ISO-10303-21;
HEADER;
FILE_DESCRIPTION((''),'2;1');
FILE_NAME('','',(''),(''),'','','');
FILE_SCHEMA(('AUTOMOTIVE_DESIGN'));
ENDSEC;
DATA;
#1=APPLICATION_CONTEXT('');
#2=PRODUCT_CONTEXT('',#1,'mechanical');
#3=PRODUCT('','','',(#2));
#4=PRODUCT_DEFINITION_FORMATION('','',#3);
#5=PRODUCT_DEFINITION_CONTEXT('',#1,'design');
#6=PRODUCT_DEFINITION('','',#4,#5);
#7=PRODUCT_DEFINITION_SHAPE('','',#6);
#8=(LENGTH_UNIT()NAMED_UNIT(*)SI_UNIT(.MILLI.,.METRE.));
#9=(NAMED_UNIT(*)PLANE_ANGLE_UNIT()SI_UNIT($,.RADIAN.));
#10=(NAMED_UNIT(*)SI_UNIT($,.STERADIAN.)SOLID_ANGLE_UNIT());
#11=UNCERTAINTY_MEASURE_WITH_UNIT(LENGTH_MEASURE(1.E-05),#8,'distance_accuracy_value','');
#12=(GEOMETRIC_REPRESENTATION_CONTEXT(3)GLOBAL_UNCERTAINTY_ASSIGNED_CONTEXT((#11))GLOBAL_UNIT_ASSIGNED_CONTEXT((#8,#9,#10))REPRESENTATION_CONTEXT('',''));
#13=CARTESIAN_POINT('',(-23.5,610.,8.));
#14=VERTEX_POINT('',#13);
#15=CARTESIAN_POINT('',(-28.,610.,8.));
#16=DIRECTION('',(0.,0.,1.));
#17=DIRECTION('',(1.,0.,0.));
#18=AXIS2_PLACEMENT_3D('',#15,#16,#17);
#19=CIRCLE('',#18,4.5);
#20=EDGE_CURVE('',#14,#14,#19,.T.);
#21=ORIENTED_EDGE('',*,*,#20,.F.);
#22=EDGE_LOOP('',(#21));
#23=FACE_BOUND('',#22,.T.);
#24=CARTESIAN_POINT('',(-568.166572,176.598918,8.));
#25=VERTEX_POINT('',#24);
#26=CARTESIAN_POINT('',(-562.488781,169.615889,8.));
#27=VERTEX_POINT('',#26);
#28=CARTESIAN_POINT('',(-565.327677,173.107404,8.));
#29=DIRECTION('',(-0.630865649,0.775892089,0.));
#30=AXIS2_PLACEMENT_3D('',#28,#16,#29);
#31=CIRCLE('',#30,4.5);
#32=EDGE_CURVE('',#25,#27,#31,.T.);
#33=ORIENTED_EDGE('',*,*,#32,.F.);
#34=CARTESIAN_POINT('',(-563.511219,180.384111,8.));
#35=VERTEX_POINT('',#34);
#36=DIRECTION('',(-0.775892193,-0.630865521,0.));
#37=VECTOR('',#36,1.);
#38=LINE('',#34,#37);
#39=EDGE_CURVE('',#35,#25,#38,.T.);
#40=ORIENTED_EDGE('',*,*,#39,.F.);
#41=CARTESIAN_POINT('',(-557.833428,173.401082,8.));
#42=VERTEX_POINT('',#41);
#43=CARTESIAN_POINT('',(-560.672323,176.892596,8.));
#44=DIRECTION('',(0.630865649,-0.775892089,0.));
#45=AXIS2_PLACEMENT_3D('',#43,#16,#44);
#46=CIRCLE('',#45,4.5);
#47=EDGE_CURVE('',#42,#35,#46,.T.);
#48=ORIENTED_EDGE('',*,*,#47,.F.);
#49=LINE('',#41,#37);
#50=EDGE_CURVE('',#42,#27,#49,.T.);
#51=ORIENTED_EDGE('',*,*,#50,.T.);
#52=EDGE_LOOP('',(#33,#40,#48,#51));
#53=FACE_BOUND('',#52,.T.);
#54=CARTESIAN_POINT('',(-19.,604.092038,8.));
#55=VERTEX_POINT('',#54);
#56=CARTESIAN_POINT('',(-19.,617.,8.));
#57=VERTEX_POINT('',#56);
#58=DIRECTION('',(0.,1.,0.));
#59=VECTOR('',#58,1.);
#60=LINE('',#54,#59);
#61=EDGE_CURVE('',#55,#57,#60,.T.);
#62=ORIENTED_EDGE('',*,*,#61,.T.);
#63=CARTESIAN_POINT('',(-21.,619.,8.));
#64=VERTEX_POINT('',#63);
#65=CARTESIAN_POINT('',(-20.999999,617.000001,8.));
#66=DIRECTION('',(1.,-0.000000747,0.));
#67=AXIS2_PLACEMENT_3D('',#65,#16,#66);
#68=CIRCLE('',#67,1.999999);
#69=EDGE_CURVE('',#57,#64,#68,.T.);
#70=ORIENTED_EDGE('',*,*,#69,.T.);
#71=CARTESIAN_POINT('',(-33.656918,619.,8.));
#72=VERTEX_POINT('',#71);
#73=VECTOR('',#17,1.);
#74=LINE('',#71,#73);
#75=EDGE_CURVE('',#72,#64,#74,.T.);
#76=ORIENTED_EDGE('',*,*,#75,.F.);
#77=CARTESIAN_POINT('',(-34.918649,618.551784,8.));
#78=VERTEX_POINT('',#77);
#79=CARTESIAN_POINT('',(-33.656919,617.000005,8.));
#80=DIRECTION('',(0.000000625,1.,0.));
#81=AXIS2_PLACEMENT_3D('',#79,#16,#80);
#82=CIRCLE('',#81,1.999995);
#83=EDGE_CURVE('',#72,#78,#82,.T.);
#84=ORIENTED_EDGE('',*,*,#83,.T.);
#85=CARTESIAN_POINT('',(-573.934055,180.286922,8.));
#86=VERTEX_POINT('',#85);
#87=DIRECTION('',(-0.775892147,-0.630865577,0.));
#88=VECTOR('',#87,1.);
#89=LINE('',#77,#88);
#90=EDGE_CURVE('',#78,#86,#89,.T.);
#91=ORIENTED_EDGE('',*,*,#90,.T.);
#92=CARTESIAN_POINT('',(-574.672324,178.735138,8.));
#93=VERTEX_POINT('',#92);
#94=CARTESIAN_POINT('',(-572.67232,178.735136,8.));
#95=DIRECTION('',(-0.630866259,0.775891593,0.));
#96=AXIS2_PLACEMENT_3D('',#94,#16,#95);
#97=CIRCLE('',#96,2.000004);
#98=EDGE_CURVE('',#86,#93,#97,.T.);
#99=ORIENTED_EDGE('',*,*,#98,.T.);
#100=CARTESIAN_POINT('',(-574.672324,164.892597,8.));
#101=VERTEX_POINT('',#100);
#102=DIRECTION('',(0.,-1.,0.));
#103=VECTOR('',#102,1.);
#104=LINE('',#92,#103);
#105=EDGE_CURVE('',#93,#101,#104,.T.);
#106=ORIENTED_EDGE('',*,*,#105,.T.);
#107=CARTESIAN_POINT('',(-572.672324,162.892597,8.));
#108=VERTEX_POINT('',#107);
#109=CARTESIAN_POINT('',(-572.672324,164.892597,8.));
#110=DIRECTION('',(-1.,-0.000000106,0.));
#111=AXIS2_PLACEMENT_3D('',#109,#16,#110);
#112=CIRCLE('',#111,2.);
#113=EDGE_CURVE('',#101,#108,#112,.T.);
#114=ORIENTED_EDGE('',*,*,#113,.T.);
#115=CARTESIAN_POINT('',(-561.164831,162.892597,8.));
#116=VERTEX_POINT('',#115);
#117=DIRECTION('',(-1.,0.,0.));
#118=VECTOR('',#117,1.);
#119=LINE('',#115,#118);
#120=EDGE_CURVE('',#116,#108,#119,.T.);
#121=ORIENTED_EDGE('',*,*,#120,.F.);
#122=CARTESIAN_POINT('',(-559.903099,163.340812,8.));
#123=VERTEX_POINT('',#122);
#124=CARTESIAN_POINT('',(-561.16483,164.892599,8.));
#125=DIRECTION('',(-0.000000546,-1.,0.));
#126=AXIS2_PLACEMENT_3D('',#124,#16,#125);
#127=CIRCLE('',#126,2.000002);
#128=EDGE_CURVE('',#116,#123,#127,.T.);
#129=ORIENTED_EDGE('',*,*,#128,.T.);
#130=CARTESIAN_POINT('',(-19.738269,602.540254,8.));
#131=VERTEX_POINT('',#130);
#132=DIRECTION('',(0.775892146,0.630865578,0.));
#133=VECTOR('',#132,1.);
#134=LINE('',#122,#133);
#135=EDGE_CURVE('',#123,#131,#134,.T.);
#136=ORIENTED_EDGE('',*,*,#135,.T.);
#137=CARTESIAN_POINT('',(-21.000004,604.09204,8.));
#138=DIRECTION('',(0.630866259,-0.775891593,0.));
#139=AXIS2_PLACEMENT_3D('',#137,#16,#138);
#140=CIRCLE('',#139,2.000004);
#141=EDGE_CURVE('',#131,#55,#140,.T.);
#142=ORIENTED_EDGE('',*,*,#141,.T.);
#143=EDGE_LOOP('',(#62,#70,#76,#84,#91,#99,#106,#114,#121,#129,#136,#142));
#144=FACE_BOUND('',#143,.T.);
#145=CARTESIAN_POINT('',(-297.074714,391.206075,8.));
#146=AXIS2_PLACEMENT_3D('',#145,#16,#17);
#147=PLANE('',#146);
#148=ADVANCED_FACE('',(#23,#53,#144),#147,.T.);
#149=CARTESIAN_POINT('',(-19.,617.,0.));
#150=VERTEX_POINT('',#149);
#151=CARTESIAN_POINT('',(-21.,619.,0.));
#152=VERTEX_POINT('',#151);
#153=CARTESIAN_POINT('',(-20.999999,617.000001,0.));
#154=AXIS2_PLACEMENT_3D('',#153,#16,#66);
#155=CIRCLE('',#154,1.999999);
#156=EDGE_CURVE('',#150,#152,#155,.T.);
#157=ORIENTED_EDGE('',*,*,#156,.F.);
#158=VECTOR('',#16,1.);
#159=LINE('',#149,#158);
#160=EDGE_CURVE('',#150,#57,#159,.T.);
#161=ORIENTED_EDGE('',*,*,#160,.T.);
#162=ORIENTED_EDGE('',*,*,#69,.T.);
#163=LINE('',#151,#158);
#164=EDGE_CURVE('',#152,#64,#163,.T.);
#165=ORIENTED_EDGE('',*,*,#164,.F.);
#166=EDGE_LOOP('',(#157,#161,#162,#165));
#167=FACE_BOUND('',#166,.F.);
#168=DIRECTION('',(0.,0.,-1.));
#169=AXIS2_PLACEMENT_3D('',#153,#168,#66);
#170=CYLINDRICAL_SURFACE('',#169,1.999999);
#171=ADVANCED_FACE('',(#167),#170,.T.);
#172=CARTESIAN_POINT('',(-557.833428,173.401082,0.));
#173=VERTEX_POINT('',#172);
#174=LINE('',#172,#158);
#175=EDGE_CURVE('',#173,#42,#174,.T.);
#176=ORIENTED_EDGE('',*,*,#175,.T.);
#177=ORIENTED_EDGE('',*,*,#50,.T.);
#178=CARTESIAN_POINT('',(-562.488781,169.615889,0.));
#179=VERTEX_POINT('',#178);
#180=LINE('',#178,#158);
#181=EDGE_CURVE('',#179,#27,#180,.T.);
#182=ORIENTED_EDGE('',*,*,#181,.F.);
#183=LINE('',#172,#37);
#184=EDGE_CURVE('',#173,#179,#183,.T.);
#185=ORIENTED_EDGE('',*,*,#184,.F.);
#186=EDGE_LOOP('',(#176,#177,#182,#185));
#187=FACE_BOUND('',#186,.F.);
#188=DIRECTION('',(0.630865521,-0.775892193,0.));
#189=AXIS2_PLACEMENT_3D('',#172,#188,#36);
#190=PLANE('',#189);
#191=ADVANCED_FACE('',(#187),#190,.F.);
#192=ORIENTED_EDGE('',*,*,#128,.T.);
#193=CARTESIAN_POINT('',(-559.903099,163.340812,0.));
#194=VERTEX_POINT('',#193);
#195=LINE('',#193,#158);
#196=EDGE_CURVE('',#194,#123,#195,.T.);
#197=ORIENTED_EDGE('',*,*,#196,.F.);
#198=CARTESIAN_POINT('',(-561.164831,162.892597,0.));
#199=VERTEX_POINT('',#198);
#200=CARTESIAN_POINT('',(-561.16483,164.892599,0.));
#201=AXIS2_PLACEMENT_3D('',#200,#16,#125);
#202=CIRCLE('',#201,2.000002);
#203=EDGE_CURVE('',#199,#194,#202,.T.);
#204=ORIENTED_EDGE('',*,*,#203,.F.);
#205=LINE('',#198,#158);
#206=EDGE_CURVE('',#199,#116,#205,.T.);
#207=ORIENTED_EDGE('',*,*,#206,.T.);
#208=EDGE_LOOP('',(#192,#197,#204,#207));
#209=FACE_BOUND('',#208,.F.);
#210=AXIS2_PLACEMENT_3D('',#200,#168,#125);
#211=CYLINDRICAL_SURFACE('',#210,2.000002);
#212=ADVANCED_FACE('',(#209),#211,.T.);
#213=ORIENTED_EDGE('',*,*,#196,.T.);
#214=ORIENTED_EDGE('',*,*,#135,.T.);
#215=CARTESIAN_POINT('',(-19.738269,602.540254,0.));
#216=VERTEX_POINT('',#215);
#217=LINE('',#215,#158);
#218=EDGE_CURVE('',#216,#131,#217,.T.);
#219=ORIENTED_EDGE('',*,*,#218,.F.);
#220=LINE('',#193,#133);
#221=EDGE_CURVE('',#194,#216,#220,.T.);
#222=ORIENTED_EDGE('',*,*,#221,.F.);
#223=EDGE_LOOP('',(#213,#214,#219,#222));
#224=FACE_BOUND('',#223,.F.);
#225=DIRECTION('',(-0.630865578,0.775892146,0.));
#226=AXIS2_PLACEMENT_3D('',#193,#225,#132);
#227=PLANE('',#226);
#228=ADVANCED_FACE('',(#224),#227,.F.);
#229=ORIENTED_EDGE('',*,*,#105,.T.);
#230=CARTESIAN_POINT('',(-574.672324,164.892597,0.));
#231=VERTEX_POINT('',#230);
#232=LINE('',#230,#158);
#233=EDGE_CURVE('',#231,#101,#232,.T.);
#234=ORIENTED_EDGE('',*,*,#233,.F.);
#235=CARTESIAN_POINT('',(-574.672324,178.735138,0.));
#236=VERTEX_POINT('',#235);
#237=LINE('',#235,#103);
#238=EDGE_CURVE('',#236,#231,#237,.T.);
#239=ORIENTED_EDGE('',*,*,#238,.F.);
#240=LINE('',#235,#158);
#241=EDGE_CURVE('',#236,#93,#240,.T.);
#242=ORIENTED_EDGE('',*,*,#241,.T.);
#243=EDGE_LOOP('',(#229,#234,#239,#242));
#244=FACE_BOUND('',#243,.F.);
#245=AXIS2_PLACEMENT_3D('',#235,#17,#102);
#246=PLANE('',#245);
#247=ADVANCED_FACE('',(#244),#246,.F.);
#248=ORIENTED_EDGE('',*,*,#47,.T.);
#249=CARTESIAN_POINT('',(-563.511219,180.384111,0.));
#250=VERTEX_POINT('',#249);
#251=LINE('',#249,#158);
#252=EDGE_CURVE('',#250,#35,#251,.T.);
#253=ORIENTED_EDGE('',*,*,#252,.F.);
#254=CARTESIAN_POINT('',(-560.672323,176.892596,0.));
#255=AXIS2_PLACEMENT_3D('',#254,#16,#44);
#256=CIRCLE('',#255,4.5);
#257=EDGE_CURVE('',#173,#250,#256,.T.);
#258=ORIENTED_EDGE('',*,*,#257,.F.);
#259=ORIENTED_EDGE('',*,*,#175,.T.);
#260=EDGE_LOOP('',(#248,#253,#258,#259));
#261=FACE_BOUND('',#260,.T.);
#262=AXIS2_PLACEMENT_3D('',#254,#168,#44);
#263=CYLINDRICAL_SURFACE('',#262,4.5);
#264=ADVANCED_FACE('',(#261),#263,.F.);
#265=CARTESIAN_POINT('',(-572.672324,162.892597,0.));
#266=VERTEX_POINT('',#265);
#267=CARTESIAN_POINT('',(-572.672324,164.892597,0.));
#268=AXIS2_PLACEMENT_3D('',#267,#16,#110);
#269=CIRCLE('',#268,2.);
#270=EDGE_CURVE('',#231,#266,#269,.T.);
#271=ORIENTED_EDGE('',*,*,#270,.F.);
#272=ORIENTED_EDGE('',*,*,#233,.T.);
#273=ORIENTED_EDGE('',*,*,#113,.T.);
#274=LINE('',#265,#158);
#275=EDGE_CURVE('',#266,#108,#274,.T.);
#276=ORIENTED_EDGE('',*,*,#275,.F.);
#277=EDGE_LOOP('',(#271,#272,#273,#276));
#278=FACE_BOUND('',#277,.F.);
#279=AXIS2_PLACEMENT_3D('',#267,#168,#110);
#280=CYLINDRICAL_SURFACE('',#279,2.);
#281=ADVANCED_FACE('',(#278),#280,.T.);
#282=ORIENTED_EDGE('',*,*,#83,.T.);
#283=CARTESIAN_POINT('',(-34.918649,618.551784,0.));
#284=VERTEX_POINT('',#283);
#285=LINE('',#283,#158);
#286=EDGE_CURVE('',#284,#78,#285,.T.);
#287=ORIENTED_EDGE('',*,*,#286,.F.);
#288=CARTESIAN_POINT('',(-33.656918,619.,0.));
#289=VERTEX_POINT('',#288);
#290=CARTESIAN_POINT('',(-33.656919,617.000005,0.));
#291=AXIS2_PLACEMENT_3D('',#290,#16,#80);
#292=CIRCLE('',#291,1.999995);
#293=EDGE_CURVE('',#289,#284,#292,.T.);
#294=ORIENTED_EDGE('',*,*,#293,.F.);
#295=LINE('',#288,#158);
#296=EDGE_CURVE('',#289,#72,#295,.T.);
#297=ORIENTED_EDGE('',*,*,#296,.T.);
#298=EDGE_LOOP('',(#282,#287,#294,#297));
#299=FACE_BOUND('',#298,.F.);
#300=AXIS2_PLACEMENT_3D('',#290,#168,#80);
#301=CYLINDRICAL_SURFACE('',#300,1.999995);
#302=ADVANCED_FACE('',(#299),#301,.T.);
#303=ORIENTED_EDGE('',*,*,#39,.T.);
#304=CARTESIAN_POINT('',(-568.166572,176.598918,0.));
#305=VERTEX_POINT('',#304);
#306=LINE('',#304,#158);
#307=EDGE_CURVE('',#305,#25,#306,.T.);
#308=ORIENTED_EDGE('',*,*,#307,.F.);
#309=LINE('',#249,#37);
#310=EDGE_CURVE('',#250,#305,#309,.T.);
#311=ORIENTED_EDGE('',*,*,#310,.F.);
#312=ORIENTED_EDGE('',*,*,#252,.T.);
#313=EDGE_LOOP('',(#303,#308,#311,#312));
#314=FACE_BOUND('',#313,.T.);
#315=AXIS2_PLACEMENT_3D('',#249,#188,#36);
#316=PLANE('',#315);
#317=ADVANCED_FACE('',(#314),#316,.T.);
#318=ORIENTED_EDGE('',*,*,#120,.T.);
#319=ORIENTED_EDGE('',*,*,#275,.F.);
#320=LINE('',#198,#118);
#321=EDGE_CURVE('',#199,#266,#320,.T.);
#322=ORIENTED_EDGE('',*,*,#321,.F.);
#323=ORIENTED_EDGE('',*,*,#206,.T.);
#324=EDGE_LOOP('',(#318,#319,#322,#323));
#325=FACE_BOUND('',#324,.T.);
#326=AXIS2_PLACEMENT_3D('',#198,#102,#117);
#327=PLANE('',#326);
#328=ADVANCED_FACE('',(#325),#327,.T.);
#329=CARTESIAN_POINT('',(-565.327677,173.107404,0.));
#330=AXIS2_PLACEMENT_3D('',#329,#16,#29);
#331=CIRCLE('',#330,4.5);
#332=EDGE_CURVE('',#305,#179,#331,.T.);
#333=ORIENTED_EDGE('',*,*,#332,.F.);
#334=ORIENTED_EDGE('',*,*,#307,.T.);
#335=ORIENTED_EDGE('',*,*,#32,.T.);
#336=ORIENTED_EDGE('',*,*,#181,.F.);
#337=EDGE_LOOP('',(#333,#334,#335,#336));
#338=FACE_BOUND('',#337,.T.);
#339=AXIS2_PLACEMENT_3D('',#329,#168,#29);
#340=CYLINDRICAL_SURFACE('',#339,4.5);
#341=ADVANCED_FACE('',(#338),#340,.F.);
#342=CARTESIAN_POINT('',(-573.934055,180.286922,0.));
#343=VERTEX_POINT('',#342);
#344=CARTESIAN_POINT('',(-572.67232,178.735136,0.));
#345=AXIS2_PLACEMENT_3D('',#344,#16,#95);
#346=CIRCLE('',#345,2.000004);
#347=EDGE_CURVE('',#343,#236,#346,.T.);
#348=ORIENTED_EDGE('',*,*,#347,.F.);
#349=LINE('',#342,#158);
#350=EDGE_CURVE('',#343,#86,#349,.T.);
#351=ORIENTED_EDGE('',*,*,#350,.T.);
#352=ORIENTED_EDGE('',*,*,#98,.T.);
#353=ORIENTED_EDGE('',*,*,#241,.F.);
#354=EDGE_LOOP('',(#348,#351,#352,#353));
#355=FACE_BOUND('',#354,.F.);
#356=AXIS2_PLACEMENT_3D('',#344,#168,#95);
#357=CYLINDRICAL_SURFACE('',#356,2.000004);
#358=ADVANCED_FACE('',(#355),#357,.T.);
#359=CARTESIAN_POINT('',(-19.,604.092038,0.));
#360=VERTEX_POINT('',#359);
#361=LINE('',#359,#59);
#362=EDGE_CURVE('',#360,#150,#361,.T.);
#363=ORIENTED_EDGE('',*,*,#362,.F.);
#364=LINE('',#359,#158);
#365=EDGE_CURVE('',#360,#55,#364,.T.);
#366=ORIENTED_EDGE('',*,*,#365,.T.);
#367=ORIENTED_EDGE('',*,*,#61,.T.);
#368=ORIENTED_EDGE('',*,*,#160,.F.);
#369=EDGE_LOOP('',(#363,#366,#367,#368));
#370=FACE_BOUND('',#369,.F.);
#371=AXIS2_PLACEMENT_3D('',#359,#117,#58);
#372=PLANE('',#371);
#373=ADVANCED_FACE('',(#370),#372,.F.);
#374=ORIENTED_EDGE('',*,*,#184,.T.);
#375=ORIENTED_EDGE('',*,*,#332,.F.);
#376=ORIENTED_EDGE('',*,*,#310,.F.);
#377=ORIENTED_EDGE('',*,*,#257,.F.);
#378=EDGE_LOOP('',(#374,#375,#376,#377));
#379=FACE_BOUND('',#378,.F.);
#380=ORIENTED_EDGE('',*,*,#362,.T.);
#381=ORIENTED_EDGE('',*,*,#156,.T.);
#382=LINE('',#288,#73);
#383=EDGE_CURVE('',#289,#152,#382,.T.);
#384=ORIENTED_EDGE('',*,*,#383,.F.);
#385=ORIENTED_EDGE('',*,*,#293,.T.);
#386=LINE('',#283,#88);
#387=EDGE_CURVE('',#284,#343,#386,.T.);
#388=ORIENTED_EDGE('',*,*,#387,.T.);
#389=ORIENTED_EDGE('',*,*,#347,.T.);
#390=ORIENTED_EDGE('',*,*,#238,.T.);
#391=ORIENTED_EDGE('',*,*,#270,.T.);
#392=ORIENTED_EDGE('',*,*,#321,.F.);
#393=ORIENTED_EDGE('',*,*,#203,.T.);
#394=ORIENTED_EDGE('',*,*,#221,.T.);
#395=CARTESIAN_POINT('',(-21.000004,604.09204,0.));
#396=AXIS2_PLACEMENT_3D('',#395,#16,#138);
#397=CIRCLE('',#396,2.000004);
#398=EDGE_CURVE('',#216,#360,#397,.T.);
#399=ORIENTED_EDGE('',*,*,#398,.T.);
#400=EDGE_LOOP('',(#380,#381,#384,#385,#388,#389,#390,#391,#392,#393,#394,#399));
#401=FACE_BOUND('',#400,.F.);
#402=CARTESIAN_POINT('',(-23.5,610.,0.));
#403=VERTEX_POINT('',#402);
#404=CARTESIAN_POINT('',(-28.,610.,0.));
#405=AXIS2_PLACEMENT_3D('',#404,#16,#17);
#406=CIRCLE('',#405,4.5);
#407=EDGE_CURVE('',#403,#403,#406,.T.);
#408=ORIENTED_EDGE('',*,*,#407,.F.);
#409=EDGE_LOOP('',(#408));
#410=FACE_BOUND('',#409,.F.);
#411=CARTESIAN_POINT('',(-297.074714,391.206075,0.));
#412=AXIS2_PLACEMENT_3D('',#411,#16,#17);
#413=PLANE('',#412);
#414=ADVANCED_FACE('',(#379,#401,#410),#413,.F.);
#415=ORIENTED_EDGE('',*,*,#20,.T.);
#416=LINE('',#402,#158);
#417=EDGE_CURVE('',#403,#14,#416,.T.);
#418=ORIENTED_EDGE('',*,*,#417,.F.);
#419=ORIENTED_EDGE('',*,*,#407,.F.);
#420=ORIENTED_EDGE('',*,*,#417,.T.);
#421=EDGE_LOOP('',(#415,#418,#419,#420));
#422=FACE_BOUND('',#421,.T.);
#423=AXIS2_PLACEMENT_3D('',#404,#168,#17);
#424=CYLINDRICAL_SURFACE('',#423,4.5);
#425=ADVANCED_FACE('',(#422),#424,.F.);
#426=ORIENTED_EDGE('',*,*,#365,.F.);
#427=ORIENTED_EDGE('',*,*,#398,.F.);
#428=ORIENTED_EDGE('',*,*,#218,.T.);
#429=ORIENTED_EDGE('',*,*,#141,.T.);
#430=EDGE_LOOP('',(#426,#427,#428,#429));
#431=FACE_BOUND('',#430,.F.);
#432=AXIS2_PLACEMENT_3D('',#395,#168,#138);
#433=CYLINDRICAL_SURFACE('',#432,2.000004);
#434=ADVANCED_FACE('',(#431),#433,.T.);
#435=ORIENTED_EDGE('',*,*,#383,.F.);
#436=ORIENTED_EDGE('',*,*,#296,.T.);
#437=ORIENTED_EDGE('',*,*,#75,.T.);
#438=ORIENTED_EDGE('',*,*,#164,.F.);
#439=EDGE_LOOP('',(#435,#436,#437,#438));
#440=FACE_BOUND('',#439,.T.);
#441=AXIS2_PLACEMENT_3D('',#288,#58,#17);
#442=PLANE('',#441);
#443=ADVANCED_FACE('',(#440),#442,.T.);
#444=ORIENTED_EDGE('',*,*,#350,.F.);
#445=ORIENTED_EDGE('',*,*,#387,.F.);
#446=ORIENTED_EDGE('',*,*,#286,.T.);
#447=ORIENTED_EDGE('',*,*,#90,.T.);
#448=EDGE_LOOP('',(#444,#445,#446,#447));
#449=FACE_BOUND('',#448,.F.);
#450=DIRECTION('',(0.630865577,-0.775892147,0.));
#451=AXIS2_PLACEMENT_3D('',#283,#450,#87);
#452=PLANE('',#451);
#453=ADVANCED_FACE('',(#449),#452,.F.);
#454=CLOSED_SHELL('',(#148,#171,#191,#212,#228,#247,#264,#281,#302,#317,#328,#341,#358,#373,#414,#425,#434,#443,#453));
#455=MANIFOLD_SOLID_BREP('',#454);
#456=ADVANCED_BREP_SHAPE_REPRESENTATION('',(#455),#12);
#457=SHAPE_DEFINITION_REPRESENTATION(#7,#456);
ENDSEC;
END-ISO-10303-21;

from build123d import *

# Parameters (mm, degrees)
SKETCH_R  = 4.5
PAD_DEPTH = 8


with BuildPart() as part:
    # Sketch → Pad (new body)
    with BuildSketch(Plane.XY):
        with BuildLine():
            Line((-34.918649, 618.551784), (-573.934055, 180.286922))
            ThreePointArc((-573.934055, 180.286922), (-574.47835, 179.594363), (-574.672324, 178.735138))
            Line((-574.672324, 178.735138), (-574.672324, 164.892597))
            ThreePointArc((-574.672324, 164.892597), (-574.086537, 163.478383), (-572.672324, 162.892597))
            Line((-561.164831, 162.892597), (-572.672324, 162.892597))
            ThreePointArc((-561.164831, 162.892597), (-560.495341, 163.007979), (-559.903099, 163.340812))
            Line((-559.903099, 163.340812), (-19.738269, 602.540254))
            ThreePointArc((-19.738269, 602.540254), (-19.193974, 603.232813), (-19, 604.092038))
            Line((-19, 604.092038), (-19, 617))
            ThreePointArc((-19, 617), (-19.585786, 618.414214), (-21, 619))
            Line((-33.656918, 619), (-21, 619))
            ThreePointArc((-33.656918, 619), (-34.326407, 618.884618), (-34.918649, 618.551784))
        make_face()
        with Locations((-28, 610)):
            Circle(SKETCH_R, mode=Mode.SUBTRACT)
        with BuildLine():
            Line((-563.511219, 180.384111), (-568.166572, 176.598918))
            ThreePointArc((-568.166572, 176.598918), (-568.819191, 170.268508), (-562.488781, 169.615889))
            Line((-557.833428, 173.401082), (-562.488781, 169.615889))
            ThreePointArc((-557.833428, 173.401082), (-557.180809, 179.731492), (-563.511219, 180.384111))
        make_face(mode=Mode.SUBTRACT)
    extrude(amount=PAD_DEPTH)


solid = part.part
